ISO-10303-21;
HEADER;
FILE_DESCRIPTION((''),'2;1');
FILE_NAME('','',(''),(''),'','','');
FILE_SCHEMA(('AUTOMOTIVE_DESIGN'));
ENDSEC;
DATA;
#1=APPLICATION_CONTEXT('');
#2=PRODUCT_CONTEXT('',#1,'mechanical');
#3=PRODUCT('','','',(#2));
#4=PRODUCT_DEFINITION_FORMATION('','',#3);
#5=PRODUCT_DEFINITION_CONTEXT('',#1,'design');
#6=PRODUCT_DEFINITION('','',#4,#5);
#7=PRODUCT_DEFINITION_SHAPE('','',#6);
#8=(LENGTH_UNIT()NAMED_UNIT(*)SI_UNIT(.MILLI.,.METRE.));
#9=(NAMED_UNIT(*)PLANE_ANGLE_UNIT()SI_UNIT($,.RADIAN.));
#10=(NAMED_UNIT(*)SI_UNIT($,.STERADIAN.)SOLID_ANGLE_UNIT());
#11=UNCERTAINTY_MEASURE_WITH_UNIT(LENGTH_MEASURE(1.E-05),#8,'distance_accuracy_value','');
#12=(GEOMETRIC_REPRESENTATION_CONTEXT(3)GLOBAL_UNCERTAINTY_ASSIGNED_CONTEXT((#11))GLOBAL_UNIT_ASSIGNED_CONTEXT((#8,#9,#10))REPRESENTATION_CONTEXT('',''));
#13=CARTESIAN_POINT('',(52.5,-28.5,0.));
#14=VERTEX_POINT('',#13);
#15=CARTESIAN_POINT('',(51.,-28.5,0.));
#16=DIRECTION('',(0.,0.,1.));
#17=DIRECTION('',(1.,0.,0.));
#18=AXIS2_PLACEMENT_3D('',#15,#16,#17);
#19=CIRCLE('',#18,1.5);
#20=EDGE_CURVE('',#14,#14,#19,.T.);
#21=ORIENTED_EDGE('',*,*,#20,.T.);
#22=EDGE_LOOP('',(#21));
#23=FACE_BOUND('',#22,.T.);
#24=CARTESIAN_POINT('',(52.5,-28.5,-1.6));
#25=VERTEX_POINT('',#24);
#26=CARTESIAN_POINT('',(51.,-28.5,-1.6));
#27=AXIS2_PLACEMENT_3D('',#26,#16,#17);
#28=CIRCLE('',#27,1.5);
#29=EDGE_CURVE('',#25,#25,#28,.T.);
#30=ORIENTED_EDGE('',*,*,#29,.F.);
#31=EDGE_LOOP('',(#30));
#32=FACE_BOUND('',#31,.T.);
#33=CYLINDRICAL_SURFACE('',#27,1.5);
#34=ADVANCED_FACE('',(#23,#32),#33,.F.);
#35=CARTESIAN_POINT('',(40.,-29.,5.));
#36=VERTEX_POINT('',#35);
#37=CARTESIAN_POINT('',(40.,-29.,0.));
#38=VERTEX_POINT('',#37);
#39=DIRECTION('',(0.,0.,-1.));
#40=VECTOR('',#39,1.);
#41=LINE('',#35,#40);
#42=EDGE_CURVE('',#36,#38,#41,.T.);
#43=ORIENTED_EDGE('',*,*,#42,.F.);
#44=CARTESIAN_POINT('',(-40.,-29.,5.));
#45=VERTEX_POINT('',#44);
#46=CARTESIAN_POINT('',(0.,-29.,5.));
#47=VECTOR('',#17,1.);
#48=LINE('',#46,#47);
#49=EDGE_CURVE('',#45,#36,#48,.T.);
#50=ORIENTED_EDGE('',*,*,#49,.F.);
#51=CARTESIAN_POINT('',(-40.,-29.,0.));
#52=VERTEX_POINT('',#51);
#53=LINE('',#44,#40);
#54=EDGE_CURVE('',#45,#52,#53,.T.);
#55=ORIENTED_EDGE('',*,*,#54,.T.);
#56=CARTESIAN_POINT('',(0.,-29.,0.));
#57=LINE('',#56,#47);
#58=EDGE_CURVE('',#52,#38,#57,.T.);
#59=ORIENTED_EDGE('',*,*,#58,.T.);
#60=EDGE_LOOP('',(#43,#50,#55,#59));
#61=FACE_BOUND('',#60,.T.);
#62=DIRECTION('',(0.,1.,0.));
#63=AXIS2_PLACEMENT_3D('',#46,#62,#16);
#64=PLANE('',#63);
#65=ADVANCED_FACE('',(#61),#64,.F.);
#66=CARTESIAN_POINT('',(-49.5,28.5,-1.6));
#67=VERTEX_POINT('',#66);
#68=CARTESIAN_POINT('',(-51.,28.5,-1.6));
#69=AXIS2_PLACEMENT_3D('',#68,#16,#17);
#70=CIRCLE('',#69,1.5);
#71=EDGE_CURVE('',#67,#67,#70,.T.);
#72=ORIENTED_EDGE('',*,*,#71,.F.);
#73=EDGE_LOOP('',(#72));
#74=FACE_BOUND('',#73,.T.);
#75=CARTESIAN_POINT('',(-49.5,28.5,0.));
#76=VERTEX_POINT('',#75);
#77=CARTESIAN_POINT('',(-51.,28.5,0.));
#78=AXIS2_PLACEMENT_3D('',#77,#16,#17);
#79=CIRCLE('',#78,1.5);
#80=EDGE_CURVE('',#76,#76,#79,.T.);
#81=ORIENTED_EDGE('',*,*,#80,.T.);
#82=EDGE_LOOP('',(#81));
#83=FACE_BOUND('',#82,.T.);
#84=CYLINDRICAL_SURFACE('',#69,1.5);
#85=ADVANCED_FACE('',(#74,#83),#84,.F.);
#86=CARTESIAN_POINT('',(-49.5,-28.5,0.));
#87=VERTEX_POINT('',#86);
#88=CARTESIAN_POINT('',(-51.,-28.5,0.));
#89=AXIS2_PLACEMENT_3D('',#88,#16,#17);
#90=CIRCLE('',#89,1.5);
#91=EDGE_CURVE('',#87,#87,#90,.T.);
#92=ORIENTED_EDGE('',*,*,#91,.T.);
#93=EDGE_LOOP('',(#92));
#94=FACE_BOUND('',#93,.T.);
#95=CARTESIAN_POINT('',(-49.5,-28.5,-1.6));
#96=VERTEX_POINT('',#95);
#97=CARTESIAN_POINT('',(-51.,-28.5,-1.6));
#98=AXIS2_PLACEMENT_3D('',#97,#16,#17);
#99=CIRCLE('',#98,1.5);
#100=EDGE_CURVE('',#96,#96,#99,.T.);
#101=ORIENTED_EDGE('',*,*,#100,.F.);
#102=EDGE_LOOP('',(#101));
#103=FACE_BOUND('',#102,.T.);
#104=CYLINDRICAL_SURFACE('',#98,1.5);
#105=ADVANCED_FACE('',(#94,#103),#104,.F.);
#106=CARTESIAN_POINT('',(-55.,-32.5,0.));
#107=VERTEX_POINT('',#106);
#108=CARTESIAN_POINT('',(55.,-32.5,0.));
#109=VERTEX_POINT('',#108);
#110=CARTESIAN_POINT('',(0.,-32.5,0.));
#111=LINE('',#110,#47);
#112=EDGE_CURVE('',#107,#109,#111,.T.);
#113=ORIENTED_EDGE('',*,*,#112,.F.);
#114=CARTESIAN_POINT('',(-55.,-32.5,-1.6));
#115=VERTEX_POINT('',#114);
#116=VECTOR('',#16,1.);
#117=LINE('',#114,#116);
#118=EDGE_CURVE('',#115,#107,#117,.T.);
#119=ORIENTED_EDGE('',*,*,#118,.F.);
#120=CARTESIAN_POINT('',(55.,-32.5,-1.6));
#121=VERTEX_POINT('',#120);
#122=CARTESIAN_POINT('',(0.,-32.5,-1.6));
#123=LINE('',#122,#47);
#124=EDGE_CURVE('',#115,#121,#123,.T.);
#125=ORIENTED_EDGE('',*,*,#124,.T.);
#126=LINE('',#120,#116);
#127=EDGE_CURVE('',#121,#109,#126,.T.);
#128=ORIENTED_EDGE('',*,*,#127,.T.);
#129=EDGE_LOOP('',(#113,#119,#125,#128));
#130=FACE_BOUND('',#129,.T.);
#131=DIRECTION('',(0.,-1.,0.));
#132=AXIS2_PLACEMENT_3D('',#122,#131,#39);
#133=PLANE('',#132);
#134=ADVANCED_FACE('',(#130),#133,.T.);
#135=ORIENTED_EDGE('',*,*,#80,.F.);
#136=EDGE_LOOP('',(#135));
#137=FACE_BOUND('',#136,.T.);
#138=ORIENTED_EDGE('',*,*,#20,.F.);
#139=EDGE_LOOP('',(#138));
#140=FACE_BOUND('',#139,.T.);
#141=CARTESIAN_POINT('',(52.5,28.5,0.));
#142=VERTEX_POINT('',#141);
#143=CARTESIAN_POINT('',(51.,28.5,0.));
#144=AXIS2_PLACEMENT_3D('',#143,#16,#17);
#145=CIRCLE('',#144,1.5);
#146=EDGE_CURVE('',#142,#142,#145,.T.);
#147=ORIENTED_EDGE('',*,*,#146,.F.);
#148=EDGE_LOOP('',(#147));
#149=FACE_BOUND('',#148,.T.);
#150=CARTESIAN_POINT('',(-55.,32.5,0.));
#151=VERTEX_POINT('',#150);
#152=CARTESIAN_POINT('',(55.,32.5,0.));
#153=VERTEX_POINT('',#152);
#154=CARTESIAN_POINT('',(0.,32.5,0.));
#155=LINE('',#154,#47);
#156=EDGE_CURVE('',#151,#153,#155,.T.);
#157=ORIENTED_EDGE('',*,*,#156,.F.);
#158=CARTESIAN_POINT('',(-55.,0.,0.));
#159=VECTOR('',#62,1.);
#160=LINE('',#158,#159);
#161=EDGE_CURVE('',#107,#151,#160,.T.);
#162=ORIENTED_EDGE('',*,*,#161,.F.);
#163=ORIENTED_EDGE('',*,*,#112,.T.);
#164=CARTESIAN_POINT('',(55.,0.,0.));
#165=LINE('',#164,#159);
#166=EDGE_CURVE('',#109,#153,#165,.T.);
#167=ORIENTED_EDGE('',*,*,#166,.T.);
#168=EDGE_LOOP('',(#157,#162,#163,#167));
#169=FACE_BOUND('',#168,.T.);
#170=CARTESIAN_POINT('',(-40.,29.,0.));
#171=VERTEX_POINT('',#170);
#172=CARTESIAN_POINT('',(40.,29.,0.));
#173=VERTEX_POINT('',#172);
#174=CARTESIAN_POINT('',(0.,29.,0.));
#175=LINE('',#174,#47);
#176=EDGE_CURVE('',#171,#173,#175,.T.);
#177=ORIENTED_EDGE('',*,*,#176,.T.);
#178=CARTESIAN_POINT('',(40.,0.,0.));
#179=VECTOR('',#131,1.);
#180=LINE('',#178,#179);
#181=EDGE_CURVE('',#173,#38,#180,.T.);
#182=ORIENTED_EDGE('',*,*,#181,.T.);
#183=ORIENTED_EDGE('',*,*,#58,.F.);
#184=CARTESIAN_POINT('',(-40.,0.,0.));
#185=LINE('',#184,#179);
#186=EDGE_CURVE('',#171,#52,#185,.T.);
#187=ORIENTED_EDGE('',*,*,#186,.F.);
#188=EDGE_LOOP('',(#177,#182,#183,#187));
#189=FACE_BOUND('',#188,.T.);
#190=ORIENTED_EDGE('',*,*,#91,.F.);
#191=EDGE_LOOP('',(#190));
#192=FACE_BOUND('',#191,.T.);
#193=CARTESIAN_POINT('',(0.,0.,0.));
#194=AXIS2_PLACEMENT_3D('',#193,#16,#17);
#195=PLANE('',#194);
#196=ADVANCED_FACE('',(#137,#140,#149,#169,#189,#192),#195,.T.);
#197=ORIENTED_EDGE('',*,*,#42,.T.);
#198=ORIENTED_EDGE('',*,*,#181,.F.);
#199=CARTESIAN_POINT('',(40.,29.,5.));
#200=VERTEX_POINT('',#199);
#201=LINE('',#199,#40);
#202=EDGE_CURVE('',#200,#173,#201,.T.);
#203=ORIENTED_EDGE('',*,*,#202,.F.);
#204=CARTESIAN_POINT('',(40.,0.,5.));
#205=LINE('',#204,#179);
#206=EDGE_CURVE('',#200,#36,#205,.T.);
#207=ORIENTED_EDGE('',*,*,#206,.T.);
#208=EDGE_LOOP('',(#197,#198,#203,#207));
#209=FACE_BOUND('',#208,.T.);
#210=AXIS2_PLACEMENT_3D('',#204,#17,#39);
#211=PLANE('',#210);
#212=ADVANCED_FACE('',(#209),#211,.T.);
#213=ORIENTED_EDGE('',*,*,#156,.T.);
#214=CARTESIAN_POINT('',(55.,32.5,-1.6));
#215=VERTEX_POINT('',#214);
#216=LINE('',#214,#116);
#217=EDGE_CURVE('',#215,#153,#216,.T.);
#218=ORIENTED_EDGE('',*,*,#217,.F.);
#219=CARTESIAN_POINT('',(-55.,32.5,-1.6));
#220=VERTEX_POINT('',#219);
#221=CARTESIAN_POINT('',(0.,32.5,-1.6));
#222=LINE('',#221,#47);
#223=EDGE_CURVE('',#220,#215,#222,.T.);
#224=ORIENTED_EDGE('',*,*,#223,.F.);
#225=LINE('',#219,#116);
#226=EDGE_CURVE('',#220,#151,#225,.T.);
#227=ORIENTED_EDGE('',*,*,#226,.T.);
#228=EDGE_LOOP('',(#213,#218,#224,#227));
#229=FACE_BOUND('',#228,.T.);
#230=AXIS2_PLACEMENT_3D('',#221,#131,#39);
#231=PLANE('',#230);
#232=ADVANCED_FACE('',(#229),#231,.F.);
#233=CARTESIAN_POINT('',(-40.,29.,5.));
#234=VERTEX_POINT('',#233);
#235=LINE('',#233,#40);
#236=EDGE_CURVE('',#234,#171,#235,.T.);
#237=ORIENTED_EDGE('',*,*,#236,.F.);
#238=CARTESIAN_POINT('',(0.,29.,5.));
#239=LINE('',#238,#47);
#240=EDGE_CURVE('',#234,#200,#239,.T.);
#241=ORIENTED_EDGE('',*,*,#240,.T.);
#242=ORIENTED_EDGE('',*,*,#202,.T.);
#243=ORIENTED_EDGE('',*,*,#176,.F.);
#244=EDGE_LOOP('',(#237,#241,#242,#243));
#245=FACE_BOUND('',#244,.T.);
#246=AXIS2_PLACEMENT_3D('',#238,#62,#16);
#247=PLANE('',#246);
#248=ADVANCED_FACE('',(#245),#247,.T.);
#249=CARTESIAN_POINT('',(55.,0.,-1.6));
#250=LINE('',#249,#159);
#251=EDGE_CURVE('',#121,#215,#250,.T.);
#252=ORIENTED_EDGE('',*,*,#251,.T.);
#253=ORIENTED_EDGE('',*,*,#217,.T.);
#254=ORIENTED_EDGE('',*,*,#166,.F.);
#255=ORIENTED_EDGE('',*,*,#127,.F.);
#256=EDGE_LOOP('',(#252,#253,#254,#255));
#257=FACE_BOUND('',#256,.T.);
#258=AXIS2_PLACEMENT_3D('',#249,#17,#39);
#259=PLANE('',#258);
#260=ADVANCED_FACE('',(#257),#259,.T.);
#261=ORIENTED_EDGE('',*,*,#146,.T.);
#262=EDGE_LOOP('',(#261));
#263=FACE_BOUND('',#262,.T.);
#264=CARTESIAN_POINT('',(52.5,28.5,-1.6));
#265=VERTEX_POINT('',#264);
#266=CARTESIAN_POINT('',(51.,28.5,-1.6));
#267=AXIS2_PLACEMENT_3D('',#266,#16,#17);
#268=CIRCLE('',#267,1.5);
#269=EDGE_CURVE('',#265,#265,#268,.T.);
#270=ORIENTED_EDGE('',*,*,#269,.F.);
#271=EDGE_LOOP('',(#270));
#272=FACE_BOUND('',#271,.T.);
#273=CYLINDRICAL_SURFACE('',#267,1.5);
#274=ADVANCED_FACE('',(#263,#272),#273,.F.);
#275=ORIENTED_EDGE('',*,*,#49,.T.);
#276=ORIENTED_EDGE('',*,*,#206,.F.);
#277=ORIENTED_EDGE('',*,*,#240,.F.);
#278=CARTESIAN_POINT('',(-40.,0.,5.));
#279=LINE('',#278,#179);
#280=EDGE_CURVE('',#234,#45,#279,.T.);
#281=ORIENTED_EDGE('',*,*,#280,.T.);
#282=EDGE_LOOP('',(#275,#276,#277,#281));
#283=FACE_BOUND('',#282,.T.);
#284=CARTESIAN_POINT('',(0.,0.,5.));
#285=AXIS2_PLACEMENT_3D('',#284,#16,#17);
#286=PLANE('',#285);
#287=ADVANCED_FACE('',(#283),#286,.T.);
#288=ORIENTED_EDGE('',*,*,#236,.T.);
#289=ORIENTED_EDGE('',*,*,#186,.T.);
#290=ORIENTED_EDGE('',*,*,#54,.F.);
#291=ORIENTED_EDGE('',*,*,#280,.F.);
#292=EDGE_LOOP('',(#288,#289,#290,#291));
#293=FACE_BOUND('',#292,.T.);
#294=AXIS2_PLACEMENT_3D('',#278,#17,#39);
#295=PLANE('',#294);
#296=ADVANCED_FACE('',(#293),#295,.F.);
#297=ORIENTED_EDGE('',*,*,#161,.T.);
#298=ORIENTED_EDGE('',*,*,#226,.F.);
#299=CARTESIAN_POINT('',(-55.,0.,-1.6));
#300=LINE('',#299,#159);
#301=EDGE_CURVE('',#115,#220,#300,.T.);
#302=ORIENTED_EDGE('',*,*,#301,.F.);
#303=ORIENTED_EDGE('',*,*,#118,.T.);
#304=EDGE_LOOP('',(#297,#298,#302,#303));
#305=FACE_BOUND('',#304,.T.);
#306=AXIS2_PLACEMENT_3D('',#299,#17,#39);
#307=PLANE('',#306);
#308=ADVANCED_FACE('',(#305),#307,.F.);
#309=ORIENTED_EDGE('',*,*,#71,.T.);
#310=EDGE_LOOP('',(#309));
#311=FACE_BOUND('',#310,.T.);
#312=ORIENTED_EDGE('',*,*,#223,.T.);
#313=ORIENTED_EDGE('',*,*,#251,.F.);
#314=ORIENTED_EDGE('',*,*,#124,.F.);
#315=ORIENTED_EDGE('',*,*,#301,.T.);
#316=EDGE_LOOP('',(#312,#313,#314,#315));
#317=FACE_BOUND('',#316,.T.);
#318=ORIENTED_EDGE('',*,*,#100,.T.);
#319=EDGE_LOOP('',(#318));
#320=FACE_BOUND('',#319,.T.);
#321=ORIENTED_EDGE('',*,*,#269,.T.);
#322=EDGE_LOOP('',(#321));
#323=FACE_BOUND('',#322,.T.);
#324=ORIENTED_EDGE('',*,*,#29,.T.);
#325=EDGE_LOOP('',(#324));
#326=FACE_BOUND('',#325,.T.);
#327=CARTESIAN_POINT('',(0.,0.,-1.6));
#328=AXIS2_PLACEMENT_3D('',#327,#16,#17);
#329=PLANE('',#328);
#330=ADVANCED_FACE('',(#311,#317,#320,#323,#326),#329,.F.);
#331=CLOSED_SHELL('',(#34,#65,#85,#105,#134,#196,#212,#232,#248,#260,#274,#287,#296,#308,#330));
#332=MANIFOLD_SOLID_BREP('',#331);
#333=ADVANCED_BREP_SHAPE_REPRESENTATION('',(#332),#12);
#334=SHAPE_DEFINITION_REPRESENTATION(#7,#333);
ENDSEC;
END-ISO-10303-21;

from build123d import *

# Parameters (mm, degrees)
SKETCH1_W           = 110
SKETCH1_H           = 65
SKETCH1_R           = 1.5
BOSS_EXTRUDE1_DEPTH = 1.6
SKETCH1_3_W         = 80
SKETCH1_3_H         = 58
BOSS_EXTRUDE2_DEPTH = 5


with BuildPart() as part:
    # Sketch1 → Boss-Extrude1 (new body)
    with BuildSketch(Plane.XY):
        Rectangle(SKETCH1_W, SKETCH1_H)
        with Locations((-51, -28.5)):
            Circle(SKETCH1_R, mode=Mode.SUBTRACT)
        with Locations((51, -28.5)):
            Circle(SKETCH1_R, mode=Mode.SUBTRACT)
        with Locations((-51, 28.5)):
            Circle(SKETCH1_R, mode=Mode.SUBTRACT)
        with Locations((51, 28.5)):
            Circle(SKETCH1_R, mode=Mode.SUBTRACT)
    extrude(amount=-BOSS_EXTRUDE1_DEPTH)

    # Sketch1<3> → Boss-Extrude2 (add)
    with BuildSketch(Plane.XY):
        Rectangle(SKETCH1_3_W, SKETCH1_3_H)
    extrude(amount=BOSS_EXTRUDE2_DEPTH)


solid = part.part
